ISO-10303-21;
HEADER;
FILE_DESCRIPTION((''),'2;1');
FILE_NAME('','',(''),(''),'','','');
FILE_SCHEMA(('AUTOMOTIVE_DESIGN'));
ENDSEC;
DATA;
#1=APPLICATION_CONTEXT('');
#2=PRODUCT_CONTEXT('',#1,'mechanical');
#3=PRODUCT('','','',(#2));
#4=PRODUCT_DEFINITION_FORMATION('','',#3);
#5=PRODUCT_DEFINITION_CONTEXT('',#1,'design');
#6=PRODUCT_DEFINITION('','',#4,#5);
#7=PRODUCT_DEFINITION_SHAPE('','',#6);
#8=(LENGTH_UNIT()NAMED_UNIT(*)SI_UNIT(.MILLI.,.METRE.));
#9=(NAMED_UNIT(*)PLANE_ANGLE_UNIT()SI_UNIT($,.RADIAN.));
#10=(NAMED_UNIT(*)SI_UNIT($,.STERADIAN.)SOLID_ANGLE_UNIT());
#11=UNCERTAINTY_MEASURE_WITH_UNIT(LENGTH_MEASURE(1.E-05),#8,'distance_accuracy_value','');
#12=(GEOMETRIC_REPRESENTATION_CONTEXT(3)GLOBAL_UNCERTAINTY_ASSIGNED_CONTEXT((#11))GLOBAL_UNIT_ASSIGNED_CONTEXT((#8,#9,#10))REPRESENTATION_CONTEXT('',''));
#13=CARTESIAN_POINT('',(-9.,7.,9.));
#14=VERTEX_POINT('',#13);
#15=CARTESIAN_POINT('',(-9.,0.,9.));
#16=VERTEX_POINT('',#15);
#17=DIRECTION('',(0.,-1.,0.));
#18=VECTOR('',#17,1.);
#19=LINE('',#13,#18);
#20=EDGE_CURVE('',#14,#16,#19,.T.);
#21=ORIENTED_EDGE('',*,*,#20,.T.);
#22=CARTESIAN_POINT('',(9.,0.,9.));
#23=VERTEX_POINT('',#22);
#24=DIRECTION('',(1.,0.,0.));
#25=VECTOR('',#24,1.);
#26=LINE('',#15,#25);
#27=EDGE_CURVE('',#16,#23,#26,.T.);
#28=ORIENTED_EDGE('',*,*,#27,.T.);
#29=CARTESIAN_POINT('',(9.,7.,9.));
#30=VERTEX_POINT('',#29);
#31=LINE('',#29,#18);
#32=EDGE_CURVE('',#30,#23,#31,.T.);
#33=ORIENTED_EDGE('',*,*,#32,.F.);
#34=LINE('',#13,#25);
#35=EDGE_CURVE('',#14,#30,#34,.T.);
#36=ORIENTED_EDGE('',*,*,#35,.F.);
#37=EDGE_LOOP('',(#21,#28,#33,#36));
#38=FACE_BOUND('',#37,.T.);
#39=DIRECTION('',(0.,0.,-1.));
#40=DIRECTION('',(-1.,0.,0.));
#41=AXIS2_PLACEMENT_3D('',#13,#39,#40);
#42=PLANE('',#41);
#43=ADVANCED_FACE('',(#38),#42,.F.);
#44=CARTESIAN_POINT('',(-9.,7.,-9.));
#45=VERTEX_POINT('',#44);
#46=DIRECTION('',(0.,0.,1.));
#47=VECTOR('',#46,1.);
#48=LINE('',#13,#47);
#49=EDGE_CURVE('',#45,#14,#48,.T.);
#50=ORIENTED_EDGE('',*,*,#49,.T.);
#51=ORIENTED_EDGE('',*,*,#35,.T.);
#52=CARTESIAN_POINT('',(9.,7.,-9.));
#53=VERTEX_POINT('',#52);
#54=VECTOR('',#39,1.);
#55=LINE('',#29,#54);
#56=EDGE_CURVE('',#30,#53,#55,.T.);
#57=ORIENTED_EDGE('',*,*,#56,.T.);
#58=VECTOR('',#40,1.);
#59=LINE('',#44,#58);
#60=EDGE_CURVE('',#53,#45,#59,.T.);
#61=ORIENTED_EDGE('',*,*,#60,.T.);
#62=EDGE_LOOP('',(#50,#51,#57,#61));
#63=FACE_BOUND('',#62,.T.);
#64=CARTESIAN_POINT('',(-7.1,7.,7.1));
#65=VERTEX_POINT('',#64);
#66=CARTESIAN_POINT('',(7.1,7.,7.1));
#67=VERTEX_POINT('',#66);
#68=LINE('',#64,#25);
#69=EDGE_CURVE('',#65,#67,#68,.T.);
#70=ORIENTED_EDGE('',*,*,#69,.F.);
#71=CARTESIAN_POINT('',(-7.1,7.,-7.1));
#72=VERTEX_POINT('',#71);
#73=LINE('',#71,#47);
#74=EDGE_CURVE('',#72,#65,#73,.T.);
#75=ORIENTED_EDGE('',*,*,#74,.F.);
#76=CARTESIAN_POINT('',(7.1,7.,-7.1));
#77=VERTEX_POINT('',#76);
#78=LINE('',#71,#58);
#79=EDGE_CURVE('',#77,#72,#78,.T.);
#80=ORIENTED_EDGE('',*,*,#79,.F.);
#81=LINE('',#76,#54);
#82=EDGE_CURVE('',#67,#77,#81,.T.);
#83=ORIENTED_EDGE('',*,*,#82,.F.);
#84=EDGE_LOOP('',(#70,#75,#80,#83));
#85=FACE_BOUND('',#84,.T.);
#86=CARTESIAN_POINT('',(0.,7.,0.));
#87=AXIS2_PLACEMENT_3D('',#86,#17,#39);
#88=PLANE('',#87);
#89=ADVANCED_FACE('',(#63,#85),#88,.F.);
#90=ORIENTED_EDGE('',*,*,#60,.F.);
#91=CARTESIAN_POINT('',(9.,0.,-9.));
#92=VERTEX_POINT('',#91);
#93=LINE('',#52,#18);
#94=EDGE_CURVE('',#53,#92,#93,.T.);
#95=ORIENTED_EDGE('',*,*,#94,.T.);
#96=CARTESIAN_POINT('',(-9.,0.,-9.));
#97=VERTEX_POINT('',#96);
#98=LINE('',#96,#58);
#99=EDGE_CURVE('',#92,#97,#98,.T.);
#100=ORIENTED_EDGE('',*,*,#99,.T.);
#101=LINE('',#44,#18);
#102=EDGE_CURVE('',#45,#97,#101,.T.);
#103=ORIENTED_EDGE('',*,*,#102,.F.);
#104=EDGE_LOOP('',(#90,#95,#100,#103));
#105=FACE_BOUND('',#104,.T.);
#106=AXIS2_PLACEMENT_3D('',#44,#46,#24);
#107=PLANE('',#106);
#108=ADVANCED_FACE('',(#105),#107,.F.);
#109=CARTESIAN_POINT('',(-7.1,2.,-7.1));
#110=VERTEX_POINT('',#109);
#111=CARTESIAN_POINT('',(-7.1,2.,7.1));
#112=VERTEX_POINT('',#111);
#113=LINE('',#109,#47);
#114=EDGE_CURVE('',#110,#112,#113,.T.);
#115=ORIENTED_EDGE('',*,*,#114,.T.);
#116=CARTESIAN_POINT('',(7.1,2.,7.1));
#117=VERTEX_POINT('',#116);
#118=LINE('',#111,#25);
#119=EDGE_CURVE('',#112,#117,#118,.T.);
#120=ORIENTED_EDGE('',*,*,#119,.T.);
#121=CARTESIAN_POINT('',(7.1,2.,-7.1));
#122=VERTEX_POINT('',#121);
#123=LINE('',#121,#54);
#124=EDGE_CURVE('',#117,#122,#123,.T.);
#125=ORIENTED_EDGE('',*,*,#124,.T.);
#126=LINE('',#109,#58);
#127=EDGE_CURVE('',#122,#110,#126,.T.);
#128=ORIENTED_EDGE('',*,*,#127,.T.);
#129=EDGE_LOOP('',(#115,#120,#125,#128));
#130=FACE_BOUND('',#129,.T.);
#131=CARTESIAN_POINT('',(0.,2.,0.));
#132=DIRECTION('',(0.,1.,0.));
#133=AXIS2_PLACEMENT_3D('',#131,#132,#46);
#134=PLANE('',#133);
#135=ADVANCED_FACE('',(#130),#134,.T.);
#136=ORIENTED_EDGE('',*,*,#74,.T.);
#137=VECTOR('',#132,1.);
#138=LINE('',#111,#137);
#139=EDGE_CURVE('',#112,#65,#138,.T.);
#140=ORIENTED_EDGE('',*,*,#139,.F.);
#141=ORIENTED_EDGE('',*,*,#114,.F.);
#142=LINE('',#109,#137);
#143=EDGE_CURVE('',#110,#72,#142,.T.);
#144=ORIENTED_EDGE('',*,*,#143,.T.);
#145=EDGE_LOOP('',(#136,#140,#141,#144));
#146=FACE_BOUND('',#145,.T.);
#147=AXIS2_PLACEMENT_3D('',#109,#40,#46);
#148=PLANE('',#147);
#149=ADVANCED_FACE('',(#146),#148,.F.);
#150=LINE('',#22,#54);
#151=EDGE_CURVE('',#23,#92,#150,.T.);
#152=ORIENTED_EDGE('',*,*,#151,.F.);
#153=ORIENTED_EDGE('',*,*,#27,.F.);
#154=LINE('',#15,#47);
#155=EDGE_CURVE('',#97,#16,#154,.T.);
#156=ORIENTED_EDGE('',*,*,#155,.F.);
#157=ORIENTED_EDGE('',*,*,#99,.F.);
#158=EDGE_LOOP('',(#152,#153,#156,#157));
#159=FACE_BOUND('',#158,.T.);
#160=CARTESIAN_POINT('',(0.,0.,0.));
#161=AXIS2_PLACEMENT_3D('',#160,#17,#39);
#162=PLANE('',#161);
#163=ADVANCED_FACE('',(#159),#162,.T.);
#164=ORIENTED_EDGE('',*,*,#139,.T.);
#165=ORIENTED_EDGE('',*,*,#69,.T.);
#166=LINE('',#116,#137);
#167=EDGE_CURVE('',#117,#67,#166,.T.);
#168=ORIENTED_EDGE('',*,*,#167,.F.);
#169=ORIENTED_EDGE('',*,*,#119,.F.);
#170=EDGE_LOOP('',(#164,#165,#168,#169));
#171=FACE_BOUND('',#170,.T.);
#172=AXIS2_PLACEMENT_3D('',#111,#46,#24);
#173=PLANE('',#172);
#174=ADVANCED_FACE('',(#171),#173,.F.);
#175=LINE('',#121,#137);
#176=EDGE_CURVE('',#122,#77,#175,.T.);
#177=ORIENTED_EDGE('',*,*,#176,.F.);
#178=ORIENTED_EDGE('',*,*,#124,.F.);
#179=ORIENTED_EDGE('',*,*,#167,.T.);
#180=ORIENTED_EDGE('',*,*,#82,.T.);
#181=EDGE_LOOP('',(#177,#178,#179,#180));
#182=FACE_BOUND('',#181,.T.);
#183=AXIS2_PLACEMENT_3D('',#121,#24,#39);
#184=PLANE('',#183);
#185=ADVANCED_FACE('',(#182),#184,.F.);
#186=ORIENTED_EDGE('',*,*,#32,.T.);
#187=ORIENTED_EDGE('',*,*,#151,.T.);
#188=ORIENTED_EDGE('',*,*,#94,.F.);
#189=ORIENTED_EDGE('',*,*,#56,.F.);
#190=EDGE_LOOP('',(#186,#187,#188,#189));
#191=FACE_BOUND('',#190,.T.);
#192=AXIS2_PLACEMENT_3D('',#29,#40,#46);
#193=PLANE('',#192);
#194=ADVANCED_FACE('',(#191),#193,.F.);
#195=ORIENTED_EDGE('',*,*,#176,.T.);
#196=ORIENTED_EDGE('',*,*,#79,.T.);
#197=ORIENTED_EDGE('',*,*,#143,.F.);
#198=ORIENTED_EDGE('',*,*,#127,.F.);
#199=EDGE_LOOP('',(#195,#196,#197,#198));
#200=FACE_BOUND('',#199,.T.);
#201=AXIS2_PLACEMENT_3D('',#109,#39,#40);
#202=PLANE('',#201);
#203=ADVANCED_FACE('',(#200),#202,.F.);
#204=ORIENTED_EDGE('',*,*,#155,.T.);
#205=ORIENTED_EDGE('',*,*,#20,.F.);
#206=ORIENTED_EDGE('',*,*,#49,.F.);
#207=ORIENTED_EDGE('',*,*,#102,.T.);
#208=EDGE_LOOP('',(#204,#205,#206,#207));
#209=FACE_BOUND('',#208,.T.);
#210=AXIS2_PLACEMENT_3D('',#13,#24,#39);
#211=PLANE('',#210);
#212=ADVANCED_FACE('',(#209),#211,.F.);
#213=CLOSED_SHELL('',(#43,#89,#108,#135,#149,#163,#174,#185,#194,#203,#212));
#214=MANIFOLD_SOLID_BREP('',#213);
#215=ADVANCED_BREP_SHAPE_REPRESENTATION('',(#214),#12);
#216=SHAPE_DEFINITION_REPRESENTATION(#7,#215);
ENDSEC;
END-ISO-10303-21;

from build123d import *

# Parameters (mm, degrees)
SKETCH1_W           = 18
SKETCH1_H           = 18
BOSS_EXTRUDE1_DEPTH = 7
SKETCH2_W           = 14.2
SKETCH2_H           = 14.2
CUT_EXTRUDE1_DEPTH  = 5


with BuildPart() as part:
    # Sketch1 → Boss-Extrude1 (new body)
    with BuildSketch(Plane(origin=(0, 0, 0), x_dir=(1, 0, 0), z_dir=(0, 1, 0))):
        Rectangle(SKETCH1_W, SKETCH1_H)
    extrude(amount=BOSS_EXTRUDE1_DEPTH)

    # Sketch2 → Cut-Extrude1 (cut)
    with BuildSketch(Plane(origin=(0, 7, 0), x_dir=(1, 0, 0), z_dir=(0, 1, 0))):
        Rectangle(SKETCH2_W, SKETCH2_H)
    extrude(amount=-CUT_EXTRUDE1_DEPTH, mode=Mode.SUBTRACT)


solid = part.part
